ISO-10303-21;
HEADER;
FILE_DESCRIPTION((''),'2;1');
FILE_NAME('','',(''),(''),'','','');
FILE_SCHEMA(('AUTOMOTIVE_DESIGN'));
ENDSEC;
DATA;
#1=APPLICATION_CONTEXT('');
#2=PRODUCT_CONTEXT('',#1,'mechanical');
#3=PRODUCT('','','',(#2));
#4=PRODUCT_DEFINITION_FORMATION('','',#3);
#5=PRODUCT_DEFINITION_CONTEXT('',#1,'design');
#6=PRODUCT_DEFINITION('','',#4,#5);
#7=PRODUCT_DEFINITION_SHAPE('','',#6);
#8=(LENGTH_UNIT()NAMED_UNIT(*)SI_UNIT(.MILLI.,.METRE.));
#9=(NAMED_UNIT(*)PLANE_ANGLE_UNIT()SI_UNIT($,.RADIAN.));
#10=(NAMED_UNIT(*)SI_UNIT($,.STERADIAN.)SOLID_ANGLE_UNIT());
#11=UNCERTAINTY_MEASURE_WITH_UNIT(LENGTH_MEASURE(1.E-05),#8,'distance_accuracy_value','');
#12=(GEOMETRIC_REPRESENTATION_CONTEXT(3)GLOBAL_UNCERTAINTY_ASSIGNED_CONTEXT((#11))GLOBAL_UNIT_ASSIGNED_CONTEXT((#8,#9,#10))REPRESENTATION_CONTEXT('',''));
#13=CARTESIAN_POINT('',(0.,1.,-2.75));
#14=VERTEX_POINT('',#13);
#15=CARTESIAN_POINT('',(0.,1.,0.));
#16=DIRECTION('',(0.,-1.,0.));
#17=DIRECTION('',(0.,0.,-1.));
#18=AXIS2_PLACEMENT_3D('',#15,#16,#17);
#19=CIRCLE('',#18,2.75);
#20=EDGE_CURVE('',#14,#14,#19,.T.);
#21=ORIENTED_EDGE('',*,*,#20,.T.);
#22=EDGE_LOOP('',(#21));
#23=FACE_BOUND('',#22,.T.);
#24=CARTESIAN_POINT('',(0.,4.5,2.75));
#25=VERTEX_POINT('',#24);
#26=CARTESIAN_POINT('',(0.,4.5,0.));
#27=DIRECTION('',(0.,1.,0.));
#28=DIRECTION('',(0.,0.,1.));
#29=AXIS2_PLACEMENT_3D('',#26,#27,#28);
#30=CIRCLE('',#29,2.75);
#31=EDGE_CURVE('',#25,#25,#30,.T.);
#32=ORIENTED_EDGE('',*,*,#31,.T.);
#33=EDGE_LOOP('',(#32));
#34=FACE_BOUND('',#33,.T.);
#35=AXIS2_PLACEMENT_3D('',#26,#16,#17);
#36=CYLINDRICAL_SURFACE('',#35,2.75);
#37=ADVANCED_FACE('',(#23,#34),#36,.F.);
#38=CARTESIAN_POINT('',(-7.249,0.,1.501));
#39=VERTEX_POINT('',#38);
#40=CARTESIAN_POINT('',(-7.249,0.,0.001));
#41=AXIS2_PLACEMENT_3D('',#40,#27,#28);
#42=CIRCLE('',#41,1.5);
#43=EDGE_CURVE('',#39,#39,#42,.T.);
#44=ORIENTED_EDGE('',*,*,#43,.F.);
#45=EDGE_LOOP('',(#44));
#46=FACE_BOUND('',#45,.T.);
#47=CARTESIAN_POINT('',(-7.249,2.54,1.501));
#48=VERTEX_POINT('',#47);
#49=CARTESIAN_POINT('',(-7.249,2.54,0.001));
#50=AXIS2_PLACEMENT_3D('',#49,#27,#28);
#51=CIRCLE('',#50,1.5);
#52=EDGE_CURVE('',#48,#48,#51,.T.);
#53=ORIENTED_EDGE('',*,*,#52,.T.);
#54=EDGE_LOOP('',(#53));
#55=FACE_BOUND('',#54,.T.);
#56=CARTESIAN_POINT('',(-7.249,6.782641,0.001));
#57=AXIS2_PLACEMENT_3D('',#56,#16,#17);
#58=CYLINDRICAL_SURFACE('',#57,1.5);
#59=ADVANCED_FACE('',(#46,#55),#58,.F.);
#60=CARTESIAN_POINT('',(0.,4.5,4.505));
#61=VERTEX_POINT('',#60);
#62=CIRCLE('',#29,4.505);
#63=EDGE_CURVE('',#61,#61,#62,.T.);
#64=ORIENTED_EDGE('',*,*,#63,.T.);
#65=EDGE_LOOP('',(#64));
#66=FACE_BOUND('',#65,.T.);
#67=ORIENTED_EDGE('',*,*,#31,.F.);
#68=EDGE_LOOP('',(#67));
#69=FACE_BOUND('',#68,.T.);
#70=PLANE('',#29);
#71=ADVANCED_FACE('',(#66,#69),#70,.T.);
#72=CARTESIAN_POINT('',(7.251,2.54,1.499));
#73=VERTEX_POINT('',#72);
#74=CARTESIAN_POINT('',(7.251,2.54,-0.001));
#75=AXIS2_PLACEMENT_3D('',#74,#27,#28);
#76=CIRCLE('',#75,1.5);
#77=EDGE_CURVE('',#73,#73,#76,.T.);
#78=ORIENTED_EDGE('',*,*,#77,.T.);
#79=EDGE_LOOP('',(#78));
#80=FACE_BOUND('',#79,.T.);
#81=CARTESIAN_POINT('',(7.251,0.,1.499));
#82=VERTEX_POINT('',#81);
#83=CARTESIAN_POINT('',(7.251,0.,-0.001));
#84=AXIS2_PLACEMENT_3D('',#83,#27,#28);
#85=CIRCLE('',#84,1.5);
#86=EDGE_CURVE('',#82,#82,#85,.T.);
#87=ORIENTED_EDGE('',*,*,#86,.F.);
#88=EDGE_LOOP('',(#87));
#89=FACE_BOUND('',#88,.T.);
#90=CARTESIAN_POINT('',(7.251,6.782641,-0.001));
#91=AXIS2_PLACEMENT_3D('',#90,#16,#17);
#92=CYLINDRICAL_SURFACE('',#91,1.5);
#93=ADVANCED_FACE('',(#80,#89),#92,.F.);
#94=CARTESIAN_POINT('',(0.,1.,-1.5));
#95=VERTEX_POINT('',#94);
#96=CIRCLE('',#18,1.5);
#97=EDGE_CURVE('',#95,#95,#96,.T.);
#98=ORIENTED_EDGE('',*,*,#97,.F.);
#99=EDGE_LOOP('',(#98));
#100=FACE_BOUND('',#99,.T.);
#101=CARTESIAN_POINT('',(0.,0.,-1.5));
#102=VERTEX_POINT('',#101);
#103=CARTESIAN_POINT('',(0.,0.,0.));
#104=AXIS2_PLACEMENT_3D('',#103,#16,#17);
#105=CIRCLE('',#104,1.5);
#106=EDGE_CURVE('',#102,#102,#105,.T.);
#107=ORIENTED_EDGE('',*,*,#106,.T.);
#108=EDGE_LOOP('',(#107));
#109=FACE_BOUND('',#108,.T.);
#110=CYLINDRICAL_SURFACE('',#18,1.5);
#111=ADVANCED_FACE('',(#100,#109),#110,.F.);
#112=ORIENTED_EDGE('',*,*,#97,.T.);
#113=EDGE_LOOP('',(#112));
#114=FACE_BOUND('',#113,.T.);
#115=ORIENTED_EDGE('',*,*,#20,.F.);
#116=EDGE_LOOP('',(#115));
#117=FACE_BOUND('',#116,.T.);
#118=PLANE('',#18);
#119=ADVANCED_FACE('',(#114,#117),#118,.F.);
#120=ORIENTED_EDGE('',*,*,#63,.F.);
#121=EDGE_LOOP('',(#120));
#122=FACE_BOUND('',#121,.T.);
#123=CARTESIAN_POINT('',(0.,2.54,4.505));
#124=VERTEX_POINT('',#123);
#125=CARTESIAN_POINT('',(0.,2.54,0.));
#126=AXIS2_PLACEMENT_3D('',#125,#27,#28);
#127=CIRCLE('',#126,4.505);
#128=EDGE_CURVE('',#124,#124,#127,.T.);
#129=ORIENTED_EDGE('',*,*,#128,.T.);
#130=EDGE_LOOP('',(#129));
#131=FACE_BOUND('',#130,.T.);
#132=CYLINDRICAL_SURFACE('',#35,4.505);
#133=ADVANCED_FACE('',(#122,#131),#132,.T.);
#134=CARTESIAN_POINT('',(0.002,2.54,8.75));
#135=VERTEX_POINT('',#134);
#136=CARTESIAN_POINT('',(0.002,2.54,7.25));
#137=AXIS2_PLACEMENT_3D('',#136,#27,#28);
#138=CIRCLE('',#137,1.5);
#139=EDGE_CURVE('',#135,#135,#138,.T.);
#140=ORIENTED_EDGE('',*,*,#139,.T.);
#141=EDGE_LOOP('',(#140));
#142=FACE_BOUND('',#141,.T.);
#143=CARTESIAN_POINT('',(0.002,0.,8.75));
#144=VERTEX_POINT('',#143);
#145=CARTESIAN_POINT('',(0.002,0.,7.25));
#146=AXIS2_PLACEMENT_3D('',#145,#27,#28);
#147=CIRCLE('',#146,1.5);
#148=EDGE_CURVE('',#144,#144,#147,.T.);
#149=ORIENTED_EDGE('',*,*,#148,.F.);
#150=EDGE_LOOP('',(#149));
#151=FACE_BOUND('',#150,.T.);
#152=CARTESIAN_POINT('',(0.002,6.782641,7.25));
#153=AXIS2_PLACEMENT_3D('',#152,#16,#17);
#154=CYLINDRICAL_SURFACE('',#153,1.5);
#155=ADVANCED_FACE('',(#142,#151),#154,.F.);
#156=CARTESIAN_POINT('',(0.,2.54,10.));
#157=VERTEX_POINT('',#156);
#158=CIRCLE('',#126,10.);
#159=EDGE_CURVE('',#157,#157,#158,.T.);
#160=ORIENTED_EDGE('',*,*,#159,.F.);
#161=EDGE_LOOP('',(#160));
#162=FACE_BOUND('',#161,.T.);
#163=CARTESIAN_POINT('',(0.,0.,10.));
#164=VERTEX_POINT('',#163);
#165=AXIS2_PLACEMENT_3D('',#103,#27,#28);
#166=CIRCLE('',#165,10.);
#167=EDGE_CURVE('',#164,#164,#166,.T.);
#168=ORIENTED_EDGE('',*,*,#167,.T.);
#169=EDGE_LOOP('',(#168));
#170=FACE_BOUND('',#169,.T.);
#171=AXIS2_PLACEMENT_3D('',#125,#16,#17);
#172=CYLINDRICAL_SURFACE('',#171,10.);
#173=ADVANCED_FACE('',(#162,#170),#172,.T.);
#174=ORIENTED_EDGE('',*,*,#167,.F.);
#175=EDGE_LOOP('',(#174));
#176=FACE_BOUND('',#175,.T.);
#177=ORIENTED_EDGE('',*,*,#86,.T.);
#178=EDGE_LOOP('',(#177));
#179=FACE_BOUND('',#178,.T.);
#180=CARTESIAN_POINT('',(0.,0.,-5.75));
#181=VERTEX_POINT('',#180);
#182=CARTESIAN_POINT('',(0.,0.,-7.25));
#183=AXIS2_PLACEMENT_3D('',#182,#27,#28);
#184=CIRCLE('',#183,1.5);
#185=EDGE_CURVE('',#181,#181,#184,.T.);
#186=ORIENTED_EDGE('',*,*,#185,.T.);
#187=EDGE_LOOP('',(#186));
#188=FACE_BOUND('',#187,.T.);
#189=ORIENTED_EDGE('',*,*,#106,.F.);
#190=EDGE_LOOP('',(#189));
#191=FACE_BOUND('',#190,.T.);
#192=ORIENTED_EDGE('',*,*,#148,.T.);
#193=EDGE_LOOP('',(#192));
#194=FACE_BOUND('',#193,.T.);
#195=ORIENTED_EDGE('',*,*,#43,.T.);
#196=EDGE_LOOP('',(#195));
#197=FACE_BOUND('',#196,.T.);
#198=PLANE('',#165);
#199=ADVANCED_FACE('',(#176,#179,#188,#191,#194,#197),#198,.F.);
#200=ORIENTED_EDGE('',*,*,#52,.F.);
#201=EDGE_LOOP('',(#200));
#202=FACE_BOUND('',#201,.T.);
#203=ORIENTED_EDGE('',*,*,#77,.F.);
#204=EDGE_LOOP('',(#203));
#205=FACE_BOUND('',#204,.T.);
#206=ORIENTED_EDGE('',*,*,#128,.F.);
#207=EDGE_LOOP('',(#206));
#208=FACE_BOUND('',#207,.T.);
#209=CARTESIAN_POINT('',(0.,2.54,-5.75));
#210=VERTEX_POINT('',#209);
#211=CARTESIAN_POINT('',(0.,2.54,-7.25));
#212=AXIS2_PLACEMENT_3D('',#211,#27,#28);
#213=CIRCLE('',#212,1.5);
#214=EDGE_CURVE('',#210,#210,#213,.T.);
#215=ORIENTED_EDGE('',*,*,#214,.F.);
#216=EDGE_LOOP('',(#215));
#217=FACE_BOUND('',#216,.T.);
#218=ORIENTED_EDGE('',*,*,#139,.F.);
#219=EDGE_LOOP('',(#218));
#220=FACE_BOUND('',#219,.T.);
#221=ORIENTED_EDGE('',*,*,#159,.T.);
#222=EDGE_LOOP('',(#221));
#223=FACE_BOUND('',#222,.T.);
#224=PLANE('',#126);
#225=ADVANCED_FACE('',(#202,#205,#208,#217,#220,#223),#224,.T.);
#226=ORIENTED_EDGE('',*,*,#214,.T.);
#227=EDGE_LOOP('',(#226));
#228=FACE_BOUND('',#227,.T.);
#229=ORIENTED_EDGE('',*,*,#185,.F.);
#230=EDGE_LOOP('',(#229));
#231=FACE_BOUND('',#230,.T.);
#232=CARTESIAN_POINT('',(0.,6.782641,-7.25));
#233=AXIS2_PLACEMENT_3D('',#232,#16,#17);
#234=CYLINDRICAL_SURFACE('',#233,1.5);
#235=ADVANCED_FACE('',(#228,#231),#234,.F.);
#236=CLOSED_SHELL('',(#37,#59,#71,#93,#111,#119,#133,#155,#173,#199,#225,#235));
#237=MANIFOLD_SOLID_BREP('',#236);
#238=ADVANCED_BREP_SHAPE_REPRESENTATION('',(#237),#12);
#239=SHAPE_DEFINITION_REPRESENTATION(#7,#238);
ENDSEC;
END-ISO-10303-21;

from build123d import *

# Parameters (mm, degrees)
SKETCH_2_R          = 10
SKETCH_2_R_2        = 4.505
EXTRUDE_1_DEPTH     = 2.54
SKETCH_3_R          = 4.505
SKETCH_3_R_2        = 2.75
EXTRUDE_2_DEPTH     = 4.5
SKETCH_5_R          = 1.5
CUT_EXTRUDE_1_DEPTH = 2.54
SKETCH_6_R          = 2.75
SKETCH_6_R_2        = 1.5
EXTRUDE_3_DEPTH     = 1


with BuildPart() as part:
    # 草图2 → 凸台-拉伸1 (new body)
    with BuildSketch(Plane(origin=(0, 0, 0), x_dir=(1, 0, 0), z_dir=(0, 1, 0))):
        with Locations(Location((0, 0, 0), (0, 0, 270))):
            Circle(SKETCH_2_R)
        with Locations(Location((0, 0, 0), (0, 0, 270))):
            Circle(SKETCH_2_R_2, mode=Mode.SUBTRACT)
    extrude(amount=EXTRUDE_1_DEPTH)

    # 草图3 → 凸台-拉伸2 (add)
    with BuildSketch(Plane(origin=(0, 0, 0), x_dir=(1, 0, 0), z_dir=(0, 1, 0))):
        with Locations(Location((0, 0, 0), (0, 0, 270))):
            Circle(SKETCH_3_R)
        with Locations(Location((0, 0, 0), (0, 0, 270))):
            Circle(SKETCH_3_R_2, mode=Mode.SUBTRACT)
    extrude(amount=EXTRUDE_2_DEPTH)

    # 草图5 → 切除-拉伸1 (cut)
    with BuildSketch(Plane(origin=(0, 0, 0), x_dir=(1, 0, 0), z_dir=(0, 1, 0))):
        with Locations(Location((-7.249, -0.001, 0), (0, 0, 270))):
            Circle(SKETCH_5_R)
        with Locations(Location((0, 7.25, 0), (0, 0, 270))):
            Circle(SKETCH_5_R)
        with Locations(Location((7.251, 0.001, 0), (0, 0, 270))):
            Circle(SKETCH_5_R)
        with Locations(Location((0.002, -7.25, 0), (0, 0, 270))):
            Circle(SKETCH_5_R)
    extrude(amount=CUT_EXTRUDE_1_DEPTH, mode=Mode.SUBTRACT)

    # 草图6 → 凸台-拉伸3 (add)
    with BuildSketch(Plane(origin=(0, 0, 0), x_dir=(-1, 0, 0), z_dir=(0, -1, 0))):
        with Locations(Location((0, 0, 0), (0, 0, 90))):
            Circle(SKETCH_6_R)
        with Locations(Location((0, 0, 0), (0, 0, 90))):
            Circle(SKETCH_6_R_2, mode=Mode.SUBTRACT)
    extrude(amount=-EXTRUDE_3_DEPTH)


solid = part.part
